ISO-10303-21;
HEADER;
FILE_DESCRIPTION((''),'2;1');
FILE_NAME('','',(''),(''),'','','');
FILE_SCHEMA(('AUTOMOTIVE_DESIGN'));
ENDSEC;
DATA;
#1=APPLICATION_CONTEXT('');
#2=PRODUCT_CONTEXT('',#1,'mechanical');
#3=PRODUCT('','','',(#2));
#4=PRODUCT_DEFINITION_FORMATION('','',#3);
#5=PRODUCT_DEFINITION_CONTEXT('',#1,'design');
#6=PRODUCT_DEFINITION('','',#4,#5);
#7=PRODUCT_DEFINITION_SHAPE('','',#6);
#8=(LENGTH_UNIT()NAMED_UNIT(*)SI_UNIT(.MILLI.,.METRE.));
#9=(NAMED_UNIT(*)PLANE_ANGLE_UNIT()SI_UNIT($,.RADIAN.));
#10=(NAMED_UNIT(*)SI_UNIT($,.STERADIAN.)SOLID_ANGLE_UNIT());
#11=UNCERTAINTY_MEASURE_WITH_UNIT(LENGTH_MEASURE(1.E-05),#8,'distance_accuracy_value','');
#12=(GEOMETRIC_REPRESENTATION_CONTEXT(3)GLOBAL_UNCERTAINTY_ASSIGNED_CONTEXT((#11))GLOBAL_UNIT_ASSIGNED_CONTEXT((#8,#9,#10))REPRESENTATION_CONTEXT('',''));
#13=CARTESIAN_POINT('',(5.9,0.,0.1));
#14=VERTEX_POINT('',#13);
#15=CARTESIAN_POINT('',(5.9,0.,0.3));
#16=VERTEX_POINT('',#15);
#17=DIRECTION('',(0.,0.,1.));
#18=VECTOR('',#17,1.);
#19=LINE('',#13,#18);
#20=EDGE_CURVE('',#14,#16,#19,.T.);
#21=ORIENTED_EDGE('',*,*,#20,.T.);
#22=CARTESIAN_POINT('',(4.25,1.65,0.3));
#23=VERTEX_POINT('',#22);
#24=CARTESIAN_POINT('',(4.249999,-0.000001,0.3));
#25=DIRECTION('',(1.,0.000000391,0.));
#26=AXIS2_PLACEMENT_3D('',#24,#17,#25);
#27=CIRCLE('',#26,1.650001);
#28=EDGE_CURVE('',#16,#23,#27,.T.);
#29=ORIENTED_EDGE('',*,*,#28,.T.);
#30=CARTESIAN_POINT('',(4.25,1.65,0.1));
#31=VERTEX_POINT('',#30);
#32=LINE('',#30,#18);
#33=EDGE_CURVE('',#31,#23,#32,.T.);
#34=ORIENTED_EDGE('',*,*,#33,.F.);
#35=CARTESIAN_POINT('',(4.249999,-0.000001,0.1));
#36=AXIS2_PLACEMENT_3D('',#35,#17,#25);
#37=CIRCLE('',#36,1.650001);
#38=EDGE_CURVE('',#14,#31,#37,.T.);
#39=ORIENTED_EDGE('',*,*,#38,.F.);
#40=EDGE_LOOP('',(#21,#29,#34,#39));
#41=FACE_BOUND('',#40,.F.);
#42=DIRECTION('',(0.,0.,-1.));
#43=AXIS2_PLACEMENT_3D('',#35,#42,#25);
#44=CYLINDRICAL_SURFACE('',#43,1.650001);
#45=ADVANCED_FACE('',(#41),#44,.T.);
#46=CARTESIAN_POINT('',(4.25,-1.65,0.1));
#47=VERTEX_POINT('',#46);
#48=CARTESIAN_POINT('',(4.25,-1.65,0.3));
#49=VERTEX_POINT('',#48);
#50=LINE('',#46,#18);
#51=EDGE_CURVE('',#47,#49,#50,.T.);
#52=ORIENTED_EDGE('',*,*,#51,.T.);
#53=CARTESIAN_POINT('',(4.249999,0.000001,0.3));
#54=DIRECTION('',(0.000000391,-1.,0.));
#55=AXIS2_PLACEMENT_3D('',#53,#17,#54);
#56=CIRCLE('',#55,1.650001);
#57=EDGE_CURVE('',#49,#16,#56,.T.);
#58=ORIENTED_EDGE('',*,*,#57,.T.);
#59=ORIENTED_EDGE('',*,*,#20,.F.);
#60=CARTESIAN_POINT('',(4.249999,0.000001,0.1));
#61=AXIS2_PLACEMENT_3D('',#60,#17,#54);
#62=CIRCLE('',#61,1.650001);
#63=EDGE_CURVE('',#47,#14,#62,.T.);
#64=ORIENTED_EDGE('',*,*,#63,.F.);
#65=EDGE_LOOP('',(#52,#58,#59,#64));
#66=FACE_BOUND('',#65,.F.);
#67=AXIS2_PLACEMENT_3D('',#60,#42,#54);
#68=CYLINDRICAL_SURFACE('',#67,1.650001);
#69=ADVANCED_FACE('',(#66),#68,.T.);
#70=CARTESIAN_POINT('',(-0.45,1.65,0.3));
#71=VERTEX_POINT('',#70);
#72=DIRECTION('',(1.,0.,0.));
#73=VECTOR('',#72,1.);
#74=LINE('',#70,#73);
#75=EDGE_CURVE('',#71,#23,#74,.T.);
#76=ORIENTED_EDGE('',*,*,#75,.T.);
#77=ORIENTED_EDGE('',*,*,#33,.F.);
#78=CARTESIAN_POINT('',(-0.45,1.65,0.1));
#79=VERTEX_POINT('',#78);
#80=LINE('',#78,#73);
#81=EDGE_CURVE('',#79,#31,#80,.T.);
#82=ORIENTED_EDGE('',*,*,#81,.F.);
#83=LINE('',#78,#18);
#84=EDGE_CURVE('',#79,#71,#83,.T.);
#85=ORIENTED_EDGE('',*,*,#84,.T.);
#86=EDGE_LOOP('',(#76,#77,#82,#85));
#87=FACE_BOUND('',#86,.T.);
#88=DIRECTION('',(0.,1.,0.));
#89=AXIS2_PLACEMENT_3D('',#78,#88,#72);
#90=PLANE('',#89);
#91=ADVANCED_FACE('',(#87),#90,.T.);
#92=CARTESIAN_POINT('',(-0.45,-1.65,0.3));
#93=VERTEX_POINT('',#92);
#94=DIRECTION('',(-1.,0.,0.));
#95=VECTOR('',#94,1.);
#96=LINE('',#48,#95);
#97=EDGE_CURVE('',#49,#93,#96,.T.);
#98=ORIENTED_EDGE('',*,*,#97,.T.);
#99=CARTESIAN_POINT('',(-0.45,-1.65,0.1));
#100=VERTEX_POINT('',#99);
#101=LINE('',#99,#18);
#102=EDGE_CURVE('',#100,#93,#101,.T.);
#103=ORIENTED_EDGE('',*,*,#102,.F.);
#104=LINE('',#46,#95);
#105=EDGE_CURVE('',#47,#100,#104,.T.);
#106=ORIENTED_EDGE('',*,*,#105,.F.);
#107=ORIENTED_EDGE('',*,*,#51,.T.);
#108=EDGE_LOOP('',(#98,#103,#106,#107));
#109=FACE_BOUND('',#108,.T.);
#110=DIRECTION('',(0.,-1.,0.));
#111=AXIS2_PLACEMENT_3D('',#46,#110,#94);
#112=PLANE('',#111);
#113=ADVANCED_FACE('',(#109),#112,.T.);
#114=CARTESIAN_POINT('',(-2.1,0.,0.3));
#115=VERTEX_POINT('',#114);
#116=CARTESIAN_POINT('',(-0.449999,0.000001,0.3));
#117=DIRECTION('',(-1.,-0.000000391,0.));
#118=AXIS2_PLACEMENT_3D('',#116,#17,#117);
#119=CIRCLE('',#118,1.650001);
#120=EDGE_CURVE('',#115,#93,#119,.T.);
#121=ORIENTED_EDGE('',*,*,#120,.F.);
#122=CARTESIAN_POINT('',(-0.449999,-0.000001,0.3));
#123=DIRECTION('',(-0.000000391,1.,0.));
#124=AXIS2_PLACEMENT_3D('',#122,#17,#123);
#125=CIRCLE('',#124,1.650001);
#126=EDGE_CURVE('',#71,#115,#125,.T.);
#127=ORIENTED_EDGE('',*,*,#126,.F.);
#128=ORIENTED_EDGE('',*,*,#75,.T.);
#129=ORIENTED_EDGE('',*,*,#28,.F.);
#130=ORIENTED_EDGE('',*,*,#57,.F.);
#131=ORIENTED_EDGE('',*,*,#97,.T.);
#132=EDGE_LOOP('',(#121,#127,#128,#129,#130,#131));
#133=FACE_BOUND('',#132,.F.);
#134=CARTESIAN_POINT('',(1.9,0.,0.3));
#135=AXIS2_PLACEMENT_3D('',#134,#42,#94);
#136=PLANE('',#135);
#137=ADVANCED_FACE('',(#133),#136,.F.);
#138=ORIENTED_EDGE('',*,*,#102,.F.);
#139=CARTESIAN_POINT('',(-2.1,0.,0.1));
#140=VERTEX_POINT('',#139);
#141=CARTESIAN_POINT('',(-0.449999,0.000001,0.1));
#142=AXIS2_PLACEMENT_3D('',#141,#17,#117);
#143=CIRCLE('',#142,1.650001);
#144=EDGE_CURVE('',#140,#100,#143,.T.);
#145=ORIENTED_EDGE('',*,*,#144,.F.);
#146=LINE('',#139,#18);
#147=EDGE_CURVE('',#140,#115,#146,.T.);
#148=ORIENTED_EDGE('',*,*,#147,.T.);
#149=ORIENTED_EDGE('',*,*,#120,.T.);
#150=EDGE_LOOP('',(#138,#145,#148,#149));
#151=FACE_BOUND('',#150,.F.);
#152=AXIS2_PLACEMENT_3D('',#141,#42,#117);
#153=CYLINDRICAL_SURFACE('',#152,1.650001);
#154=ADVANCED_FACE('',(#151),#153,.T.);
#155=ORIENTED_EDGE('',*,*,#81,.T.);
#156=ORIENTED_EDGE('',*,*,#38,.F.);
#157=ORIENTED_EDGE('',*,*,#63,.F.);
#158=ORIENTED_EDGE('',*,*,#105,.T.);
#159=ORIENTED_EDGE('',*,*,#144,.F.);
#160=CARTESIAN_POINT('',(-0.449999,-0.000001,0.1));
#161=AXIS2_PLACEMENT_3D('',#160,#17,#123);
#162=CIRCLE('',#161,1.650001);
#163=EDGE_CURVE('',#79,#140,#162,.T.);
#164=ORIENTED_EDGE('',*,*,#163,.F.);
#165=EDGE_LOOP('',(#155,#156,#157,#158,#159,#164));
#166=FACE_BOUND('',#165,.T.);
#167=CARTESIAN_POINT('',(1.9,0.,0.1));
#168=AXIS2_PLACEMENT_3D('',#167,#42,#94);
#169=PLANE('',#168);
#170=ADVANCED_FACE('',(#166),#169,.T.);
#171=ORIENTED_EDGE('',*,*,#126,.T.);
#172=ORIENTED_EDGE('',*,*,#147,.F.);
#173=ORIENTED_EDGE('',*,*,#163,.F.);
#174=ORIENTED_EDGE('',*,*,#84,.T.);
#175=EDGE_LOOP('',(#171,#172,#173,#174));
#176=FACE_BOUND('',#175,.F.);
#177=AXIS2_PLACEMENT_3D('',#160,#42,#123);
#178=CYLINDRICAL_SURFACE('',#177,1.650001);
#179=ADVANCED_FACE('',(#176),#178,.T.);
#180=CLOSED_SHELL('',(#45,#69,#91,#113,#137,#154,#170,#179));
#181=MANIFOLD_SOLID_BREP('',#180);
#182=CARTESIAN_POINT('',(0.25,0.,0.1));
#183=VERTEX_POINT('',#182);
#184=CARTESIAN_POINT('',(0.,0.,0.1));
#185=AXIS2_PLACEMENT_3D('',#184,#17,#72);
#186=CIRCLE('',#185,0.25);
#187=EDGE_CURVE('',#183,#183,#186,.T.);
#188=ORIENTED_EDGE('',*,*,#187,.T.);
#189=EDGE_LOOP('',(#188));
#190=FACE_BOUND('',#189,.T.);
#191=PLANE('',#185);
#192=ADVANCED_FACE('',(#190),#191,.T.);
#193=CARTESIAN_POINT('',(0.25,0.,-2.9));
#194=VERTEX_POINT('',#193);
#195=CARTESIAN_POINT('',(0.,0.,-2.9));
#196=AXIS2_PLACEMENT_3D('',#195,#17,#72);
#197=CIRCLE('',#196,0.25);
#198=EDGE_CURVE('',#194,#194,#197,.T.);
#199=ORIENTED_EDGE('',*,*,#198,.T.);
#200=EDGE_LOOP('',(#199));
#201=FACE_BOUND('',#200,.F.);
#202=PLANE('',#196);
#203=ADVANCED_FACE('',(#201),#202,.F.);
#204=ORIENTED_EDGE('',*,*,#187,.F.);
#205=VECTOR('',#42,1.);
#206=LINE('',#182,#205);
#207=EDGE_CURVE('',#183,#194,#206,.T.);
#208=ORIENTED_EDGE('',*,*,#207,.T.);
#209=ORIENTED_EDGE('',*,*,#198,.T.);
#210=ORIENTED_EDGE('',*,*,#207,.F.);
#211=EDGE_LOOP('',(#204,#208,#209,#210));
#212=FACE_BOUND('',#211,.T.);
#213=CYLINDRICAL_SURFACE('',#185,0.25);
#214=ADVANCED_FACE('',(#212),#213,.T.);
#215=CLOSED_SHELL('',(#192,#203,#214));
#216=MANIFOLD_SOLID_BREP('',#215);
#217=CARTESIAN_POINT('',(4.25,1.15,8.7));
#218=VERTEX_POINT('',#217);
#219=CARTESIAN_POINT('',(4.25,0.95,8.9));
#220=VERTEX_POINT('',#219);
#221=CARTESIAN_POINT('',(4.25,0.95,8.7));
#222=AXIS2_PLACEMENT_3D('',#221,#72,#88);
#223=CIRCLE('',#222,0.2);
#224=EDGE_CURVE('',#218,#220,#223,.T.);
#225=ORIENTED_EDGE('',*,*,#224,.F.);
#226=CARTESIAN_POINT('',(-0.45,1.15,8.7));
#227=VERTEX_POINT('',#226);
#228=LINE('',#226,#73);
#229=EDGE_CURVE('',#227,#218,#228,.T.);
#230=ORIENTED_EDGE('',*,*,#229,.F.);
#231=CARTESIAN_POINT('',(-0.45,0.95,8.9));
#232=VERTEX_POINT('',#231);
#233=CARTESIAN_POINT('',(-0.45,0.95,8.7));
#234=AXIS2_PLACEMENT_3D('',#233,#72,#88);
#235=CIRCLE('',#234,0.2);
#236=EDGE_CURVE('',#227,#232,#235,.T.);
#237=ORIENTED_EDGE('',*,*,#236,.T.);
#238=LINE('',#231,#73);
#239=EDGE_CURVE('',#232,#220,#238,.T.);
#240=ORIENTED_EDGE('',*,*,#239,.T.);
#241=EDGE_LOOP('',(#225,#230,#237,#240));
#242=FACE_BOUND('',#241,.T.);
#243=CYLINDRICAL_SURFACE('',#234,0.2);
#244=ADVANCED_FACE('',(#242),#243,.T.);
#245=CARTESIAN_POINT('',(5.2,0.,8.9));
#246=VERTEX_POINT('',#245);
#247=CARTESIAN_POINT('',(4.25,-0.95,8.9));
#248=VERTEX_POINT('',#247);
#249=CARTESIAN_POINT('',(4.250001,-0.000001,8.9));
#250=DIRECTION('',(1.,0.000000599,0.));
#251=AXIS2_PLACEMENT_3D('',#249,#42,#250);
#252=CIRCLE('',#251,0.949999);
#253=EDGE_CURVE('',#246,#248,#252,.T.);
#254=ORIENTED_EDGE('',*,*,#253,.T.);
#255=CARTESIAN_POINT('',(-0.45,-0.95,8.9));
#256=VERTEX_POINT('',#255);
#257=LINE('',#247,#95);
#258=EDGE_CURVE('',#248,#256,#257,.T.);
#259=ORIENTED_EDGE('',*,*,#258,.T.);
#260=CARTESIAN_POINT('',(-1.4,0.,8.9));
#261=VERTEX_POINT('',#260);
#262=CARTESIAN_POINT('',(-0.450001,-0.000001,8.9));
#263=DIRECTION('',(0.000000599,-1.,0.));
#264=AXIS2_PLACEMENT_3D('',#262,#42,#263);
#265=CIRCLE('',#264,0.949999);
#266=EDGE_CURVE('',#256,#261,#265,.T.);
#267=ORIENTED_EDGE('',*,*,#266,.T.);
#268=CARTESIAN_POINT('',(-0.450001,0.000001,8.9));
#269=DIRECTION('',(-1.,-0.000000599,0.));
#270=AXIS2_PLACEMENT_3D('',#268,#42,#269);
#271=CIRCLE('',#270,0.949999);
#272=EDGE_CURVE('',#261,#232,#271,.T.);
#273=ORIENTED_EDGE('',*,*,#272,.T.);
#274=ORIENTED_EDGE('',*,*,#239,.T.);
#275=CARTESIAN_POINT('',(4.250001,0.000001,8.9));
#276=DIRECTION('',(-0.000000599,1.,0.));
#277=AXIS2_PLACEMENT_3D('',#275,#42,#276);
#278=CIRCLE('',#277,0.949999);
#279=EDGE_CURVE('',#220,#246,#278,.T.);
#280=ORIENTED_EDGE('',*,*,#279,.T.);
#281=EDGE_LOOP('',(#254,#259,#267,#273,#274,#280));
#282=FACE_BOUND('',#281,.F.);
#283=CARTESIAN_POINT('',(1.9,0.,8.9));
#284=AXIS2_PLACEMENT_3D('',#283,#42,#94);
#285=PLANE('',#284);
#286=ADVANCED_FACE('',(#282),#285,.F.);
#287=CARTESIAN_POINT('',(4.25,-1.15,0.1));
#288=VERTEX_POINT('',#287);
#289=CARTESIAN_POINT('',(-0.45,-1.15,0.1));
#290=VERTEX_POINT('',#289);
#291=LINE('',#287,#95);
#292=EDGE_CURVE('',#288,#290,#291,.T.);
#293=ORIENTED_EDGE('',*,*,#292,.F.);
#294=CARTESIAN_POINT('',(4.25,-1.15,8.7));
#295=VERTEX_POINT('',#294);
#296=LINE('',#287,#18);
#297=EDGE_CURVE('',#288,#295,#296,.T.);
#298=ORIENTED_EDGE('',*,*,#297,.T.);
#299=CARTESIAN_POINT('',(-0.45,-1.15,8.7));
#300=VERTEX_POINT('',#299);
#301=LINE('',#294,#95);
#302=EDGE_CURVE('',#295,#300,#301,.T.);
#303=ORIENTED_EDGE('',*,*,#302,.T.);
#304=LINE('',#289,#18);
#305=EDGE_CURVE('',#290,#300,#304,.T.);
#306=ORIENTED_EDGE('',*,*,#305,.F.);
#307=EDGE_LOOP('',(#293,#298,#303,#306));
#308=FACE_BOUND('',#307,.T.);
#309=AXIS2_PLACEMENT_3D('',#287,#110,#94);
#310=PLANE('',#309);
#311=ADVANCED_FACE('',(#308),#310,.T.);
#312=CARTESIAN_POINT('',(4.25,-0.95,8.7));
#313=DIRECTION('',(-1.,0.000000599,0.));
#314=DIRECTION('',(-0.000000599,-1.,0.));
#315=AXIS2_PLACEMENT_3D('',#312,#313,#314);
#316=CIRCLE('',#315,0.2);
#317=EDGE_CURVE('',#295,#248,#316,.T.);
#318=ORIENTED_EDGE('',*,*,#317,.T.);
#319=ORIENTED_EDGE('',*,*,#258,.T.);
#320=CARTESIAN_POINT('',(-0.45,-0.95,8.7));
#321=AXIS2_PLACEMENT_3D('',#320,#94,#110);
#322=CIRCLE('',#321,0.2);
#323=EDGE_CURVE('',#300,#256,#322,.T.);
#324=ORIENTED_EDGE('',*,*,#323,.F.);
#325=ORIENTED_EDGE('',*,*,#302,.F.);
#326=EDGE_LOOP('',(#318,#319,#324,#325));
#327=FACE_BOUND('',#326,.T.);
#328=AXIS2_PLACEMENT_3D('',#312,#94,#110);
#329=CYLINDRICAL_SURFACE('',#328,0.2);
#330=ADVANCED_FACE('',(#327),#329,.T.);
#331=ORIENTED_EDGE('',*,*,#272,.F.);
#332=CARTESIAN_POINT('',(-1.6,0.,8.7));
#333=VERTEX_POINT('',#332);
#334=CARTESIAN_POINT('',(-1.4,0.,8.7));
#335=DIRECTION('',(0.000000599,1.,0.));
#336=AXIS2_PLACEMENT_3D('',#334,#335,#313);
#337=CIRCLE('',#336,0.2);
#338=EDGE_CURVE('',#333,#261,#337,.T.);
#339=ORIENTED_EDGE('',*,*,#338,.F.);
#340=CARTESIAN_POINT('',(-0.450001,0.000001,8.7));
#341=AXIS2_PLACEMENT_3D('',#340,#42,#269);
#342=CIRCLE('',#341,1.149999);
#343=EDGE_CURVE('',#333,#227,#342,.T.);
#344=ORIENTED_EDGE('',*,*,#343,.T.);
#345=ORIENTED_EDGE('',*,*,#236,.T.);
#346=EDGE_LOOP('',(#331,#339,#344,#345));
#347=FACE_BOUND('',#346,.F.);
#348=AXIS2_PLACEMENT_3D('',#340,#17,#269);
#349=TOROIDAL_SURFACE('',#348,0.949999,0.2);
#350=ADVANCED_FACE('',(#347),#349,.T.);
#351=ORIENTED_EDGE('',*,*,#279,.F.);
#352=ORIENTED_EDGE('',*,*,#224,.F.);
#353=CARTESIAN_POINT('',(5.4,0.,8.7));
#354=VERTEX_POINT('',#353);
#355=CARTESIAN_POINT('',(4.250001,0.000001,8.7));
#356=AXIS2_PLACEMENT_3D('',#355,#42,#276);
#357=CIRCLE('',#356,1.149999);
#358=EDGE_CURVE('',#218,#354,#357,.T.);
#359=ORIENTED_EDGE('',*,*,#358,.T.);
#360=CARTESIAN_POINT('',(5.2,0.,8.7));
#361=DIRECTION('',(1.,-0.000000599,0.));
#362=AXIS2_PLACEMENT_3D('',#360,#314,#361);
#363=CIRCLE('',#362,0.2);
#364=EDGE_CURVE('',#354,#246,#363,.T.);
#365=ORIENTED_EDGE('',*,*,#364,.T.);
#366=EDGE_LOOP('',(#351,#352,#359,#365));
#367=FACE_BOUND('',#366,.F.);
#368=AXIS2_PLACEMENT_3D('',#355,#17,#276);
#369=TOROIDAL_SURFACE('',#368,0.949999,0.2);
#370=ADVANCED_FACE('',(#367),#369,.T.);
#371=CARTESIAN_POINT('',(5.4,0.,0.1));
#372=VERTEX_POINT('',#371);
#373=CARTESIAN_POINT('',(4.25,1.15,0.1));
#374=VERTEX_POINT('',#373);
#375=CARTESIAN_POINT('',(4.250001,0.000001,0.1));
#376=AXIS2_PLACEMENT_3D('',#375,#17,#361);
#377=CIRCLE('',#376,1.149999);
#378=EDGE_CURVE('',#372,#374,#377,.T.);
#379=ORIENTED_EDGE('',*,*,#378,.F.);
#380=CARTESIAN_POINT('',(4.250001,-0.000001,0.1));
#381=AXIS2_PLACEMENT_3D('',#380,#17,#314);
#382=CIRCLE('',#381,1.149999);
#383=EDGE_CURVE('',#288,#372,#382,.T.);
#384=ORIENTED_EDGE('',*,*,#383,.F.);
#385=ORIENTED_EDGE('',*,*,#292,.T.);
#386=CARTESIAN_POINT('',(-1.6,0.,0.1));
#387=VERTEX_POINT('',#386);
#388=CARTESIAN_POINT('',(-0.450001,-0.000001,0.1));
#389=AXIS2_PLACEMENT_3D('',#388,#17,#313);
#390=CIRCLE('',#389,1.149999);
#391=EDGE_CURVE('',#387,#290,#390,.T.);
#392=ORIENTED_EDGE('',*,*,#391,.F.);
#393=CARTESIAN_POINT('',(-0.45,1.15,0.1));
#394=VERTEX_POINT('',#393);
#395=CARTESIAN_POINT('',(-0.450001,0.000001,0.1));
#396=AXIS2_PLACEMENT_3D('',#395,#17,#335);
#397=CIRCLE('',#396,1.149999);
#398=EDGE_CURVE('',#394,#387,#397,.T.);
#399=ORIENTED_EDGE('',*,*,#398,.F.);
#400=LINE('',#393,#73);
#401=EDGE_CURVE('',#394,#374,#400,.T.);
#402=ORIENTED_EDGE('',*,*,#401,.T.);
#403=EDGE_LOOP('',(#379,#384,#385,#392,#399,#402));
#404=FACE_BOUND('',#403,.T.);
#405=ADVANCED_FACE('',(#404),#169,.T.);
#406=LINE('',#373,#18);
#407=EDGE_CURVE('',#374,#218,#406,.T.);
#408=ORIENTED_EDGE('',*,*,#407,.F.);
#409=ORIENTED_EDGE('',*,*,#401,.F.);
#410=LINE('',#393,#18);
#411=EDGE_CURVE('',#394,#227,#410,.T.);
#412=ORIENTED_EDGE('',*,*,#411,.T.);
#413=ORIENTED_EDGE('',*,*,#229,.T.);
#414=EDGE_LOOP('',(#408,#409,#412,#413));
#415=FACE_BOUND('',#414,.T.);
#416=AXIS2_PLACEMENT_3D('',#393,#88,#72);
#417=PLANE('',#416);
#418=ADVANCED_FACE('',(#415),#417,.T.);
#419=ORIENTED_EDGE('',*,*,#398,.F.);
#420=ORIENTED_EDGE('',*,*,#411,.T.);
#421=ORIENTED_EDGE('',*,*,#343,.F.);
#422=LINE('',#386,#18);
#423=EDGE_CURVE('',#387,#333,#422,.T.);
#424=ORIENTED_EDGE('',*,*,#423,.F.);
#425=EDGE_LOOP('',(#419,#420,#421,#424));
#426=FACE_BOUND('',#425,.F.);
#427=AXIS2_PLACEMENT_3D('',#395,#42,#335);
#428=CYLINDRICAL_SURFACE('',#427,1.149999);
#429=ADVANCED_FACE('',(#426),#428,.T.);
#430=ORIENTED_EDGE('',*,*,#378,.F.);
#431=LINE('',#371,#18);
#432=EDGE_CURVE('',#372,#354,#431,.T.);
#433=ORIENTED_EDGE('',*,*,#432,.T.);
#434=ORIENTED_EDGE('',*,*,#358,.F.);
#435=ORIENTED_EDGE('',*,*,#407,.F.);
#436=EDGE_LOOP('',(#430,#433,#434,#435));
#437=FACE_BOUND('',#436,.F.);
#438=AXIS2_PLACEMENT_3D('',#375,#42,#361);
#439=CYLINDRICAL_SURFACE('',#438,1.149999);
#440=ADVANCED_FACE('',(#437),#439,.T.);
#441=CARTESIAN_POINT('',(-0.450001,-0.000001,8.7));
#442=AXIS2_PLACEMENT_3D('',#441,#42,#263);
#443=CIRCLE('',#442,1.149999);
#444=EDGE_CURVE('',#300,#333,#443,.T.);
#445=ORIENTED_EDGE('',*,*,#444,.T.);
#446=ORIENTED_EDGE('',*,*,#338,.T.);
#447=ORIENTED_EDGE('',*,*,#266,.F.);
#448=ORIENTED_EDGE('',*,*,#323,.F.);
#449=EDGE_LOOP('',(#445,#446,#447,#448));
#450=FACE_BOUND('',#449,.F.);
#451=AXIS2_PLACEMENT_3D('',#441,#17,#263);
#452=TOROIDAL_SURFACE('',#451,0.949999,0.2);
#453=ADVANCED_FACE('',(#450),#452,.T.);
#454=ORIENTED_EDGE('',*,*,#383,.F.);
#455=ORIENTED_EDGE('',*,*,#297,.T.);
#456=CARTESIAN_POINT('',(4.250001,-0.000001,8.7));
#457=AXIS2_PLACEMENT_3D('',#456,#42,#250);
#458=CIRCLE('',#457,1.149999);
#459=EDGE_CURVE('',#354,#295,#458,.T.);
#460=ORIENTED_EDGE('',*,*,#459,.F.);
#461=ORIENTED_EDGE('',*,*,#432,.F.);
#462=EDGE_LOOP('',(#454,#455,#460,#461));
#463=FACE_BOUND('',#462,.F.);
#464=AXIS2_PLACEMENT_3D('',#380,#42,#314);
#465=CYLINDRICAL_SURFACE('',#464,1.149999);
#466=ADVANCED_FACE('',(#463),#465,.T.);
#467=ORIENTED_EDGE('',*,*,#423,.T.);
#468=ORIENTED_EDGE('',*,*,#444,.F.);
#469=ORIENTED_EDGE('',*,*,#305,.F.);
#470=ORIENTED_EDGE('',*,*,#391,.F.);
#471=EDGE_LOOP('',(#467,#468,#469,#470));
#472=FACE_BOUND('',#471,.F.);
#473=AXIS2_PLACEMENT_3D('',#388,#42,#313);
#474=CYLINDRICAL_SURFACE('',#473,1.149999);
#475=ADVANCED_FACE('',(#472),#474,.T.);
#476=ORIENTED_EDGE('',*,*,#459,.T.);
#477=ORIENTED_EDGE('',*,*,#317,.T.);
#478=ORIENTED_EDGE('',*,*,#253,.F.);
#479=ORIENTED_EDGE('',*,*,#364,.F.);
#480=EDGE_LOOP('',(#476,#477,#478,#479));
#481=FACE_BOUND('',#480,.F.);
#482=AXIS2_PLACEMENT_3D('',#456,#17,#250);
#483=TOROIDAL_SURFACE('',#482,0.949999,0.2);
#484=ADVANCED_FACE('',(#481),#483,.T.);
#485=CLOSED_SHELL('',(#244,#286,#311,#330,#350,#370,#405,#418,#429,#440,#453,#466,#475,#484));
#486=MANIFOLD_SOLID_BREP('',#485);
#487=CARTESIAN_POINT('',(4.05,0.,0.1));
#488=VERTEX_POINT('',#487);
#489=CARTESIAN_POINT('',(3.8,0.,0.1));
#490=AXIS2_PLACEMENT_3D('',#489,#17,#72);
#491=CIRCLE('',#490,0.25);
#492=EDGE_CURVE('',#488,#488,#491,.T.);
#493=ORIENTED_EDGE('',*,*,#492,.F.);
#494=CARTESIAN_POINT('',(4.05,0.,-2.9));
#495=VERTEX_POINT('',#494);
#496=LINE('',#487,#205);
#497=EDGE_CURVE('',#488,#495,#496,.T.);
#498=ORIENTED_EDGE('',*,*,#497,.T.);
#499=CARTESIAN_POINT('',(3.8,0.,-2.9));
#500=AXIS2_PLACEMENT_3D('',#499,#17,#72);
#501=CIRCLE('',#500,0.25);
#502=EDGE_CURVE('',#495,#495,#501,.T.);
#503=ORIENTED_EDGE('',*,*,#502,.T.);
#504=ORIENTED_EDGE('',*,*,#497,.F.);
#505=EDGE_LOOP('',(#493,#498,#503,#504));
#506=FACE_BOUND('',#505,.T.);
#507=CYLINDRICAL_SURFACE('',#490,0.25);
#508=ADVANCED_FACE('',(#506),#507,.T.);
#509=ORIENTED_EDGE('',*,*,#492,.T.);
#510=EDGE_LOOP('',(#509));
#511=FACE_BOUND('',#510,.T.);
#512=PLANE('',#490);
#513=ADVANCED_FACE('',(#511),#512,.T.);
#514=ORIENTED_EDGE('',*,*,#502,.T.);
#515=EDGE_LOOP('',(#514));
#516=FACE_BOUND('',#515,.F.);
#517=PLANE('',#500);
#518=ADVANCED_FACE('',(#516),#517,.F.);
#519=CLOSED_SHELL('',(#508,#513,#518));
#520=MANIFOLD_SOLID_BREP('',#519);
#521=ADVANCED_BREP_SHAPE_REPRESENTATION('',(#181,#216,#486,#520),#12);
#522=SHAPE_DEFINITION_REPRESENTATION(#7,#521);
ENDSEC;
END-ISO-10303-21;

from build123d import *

# Parameters (mm, degrees)
SKETCH_R     = 0.25
PAD_DEPTH    = 3
PAD001_DEPTH = 0.2
PAD002_DEPTH = 8.8
FILLET_R     = 0.2


with BuildPart() as pad:
    # Sketch → Pad (new body)
    with BuildSketch(Plane.XY.offset(0.1)):
        Circle(SKETCH_R)
        with Locations((3.8, 0)):
            Circle(SKETCH_R)
    extrude(amount=-PAD_DEPTH)


with BuildPart() as pad001:
    # Sketch001 → Pad001 (new body)
    with BuildSketch(Plane.XY.offset(0.1)):
        with BuildLine():
            Line((-0.45, 1.65), (4.25, 1.65))
            ThreePointArc((5.9, 0), (5.416726, 1.166726), (4.25, 1.65))
            ThreePointArc((4.25, -1.65), (5.416726, -1.166726), (5.9, 0))
            Line((4.25, -1.65), (-0.45, -1.65))
            ThreePointArc((-2.1, 0), (-1.616726, -1.166726), (-0.45, -1.65))
            ThreePointArc((-0.45, 1.65), (-1.616726, 1.166726), (-2.1, 0))
        make_face()
    extrude(amount=PAD001_DEPTH)


with BuildPart() as fillet_body:
    # Sketch003 → Pad002 (new body)
    with BuildSketch(Plane.XY.offset(0.1)):
        with BuildLine():
            Line((-0.45, 1.15), (4.25, 1.15))
            ThreePointArc((5.4, 0), (5.063173, 0.813173), (4.25, 1.15))
            ThreePointArc((4.25, -1.15), (5.063173, -0.813173), (5.4, 0))
            Line((4.25, -1.15), (-0.45, -1.15))
            ThreePointArc((-1.6, 0), (-1.263173, -0.813173), (-0.45, -1.15))
            ThreePointArc((-0.45, 1.15), (-1.263173, 0.813173), (-1.6, 0))
        make_face()
    extrude(amount=PAD002_DEPTH)

    # Fillet
    fillet_edges = [fillet_body.edges().sort_by_distance(p)[0] for p in [
        (1.9, 1.15, 8.9),
        (-1.263173, 0.813173, 8.9),
        (-1.263173, -0.813173, 8.9),
        (1.9, -1.15, 8.9),
        (5.063173, -0.813173, 8.9),
        (5.063173, 0.813173, 8.9),
    ]]
    fillet(fillet_edges, radius=FILLET_R)


solid = Compound([pad.part, pad001.part, fillet_body.part])
